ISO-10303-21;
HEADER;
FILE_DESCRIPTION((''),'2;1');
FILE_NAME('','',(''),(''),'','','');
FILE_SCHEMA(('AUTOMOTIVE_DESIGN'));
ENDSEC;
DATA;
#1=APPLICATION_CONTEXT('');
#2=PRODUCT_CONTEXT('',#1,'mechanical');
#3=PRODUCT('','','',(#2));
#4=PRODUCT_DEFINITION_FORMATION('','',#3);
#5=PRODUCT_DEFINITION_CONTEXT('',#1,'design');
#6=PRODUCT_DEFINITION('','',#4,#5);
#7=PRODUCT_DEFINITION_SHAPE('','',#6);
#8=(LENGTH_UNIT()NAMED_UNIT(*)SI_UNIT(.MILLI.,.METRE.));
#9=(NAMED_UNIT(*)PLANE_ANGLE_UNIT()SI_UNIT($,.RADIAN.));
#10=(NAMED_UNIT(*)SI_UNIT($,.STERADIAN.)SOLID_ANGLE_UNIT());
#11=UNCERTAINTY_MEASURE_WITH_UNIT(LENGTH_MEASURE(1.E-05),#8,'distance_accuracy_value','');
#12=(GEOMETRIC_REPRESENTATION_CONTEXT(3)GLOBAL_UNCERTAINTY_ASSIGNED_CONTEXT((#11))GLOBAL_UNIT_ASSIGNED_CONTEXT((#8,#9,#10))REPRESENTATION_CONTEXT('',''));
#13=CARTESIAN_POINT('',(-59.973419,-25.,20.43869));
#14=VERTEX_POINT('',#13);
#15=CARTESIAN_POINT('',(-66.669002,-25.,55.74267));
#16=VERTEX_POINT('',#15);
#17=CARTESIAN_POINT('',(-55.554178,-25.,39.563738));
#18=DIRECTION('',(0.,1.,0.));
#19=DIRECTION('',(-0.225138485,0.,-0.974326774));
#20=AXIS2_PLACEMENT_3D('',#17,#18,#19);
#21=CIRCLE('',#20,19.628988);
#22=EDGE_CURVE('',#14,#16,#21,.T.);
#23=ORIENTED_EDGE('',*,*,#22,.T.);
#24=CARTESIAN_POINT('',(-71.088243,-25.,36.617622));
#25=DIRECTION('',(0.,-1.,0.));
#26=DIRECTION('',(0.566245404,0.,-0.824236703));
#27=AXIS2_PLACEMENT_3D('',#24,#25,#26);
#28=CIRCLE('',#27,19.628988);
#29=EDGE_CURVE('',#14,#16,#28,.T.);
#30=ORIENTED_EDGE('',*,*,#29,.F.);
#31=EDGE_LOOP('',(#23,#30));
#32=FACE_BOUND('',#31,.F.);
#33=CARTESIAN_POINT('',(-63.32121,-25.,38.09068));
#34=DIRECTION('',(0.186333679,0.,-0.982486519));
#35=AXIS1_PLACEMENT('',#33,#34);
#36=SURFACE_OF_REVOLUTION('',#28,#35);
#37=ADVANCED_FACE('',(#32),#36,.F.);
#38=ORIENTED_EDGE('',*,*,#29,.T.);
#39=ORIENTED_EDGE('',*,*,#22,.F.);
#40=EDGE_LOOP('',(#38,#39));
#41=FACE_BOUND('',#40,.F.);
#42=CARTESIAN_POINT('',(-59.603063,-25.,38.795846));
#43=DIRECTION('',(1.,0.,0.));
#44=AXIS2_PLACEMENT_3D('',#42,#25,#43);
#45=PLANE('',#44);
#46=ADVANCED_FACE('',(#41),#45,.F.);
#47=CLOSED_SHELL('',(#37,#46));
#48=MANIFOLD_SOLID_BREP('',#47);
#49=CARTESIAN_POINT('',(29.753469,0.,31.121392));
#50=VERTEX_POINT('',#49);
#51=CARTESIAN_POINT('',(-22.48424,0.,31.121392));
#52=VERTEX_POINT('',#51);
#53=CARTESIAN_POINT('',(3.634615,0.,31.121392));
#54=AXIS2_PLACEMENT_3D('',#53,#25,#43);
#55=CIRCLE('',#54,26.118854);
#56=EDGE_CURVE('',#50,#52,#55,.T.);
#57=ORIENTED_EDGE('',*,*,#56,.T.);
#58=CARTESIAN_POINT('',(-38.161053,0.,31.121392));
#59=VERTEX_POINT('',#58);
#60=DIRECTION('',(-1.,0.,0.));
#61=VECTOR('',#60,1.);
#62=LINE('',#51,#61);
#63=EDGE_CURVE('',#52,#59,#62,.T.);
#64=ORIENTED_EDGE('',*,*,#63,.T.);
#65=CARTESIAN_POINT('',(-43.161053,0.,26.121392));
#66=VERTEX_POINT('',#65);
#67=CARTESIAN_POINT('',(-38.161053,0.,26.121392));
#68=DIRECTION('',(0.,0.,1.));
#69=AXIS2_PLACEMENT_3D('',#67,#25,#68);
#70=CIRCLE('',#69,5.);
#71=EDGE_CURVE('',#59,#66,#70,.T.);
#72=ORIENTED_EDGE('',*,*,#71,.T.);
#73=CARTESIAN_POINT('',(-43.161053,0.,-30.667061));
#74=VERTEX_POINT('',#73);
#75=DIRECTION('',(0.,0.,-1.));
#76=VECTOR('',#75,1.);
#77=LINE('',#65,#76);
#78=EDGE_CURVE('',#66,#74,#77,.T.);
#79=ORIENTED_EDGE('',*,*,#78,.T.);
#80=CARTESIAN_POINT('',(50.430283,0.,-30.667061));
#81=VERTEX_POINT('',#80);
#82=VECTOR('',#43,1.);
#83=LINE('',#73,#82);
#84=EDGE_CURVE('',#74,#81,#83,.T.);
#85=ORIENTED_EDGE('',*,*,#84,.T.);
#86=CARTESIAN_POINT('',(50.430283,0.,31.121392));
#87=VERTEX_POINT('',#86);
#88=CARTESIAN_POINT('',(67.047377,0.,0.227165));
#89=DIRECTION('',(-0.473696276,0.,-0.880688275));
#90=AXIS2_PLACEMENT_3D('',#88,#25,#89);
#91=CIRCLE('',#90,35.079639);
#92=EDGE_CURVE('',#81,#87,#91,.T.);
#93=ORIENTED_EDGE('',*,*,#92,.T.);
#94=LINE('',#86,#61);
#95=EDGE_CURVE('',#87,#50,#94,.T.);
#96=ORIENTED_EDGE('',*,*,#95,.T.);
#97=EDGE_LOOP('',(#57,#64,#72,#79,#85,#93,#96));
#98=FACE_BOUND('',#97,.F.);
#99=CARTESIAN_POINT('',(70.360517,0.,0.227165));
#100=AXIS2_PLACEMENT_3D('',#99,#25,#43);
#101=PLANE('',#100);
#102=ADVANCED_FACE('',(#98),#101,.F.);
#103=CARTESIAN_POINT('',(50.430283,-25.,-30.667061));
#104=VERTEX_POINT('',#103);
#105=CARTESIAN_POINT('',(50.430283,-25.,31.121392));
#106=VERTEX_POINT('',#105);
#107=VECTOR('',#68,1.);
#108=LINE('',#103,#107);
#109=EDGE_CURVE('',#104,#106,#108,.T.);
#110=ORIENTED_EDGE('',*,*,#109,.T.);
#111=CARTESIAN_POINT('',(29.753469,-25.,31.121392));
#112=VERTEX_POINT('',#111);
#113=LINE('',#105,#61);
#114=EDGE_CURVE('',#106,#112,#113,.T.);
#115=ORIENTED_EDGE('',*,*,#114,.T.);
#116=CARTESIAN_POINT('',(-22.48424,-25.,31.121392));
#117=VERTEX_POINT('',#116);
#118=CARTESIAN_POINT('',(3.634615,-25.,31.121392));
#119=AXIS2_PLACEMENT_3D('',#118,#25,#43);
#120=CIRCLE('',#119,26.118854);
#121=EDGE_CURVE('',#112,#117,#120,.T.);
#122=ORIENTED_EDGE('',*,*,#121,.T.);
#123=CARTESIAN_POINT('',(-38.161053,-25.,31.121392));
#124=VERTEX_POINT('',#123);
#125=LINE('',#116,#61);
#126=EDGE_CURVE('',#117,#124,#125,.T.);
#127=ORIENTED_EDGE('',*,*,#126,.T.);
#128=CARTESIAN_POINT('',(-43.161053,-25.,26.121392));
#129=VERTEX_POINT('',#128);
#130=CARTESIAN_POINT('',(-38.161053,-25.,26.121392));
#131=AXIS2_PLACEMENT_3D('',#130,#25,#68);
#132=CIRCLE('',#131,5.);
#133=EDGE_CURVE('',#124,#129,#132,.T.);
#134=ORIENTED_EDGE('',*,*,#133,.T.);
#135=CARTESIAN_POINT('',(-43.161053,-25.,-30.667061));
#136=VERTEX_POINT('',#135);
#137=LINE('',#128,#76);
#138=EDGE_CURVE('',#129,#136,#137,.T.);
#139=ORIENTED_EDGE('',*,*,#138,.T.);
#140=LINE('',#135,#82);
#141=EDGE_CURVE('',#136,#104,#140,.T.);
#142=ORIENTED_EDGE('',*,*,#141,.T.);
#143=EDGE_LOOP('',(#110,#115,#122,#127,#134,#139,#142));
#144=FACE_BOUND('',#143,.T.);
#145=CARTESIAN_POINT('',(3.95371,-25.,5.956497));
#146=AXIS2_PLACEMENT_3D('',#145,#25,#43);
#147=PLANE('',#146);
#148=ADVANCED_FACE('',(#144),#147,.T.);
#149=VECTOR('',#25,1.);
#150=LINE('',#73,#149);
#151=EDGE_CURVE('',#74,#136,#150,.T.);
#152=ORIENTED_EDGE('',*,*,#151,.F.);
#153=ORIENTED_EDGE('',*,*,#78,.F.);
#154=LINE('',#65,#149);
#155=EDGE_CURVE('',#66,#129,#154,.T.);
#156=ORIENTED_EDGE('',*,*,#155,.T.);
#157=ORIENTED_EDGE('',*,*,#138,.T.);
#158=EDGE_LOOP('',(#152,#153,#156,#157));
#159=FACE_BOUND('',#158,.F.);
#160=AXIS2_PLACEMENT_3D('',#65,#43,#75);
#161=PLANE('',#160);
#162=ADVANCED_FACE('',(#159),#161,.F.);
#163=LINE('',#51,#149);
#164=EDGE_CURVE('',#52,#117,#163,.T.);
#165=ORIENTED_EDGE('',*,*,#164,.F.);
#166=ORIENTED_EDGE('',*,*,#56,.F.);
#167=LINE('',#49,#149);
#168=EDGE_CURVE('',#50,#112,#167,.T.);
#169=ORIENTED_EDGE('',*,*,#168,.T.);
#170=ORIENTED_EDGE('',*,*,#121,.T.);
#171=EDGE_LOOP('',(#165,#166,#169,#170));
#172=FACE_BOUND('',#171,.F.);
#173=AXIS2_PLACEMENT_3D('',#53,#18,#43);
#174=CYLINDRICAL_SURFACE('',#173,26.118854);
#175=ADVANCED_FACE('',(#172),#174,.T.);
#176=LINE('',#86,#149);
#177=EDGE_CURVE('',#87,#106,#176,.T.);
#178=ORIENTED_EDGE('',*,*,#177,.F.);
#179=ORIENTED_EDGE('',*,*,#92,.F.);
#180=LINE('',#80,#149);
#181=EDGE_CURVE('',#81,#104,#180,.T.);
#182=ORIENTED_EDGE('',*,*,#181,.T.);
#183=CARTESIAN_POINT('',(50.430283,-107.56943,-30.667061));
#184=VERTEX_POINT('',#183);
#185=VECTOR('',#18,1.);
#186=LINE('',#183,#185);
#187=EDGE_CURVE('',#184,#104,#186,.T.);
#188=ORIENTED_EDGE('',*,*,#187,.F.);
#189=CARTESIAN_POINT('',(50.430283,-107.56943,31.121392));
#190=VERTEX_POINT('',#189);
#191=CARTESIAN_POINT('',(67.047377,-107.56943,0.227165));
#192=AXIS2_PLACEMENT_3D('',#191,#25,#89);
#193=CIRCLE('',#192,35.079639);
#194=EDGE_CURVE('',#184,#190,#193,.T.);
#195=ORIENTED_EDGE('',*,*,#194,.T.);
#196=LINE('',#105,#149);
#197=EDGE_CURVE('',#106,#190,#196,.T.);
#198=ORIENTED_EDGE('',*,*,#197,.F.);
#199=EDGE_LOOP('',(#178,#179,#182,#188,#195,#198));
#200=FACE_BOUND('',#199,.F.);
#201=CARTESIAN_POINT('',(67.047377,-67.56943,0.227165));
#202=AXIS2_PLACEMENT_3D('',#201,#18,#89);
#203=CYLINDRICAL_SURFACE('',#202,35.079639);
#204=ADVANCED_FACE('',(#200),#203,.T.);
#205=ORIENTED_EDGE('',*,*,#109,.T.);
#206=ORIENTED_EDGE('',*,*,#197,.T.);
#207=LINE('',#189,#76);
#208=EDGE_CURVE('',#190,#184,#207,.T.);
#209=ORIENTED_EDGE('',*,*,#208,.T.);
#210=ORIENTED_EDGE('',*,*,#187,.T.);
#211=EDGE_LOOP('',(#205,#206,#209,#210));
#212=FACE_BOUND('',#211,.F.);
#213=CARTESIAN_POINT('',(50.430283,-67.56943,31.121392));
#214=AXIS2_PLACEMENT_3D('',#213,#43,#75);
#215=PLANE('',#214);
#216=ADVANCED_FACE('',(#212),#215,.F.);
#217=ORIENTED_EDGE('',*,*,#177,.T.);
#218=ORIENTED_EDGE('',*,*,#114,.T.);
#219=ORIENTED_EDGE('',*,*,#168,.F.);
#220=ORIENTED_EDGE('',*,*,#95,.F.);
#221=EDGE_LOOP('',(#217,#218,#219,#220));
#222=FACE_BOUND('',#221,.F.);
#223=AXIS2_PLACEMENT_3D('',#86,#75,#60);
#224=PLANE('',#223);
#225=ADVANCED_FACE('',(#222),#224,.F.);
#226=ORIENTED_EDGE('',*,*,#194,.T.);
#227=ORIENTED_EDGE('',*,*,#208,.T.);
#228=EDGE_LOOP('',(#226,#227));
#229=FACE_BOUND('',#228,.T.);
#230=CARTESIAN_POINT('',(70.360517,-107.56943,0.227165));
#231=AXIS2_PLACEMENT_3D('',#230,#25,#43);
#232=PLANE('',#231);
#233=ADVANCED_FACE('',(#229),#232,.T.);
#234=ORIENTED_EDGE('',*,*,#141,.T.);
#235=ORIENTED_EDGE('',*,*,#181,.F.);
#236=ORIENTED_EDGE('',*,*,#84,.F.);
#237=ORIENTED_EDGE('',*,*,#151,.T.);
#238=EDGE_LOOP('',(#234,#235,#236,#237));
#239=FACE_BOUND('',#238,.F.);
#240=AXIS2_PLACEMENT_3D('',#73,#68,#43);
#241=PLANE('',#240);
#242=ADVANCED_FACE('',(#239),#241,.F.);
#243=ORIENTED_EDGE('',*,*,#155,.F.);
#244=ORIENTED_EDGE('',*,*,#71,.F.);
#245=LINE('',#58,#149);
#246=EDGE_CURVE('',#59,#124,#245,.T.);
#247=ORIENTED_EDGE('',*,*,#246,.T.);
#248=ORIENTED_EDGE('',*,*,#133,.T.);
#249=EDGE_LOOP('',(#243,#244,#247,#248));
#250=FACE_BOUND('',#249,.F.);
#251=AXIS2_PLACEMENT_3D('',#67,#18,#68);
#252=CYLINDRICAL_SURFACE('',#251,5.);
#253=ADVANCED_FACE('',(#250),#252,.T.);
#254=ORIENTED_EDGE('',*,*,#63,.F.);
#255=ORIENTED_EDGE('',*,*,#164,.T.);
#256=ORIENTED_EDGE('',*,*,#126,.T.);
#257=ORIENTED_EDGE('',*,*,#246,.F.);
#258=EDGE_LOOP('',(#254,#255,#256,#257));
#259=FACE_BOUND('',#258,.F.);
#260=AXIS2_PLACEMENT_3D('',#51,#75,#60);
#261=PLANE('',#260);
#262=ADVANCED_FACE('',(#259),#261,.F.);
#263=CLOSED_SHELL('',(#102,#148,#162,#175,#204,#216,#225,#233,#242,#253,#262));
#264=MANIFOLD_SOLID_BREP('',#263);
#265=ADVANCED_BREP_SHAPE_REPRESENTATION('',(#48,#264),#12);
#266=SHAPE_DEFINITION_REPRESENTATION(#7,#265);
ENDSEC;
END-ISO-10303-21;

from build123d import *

# Parameters (mm, degrees)
F1_DEPTH = 25
F2_DEPTH = 67.56943
F3_DEPTH = 40
F5_ANGLE = 180


with BuildPart() as f1:
    # F0 (on Front) → F1 (new body)
    with BuildSketch(Plane.XZ):
        with BuildLine():
            Line((-22.4842395432, 31.121391803), (-38.1610532105, 31.121391803))
            ThreePointArc((-38.1610532105, 31.121391803), (-41.6965871164, 29.656925709), (-43.1610532105, 26.121391803))
            Line((-43.1610532105, 26.121391803), (-43.1610532105, -30.6670609862))
            Line((-43.1610532105, -30.6670609862), (50.4302829504, -30.6670609862))
            Line((50.4302829504, -30.6670609862), (50.4302829504, 31.121391803))
            Line((50.4302829504, 31.121391803), (29.7534692831, 31.121391803))
            ThreePointArc((29.7534692831, 31.121391803), (3.63461487, 57.2402462162), (-22.4842395432, 31.121391803))
        make_face()
    extrude(amount=F1_DEPTH)

    # F0 (on Front) → F2 (join)
    with BuildSketch(Plane.XZ):
        with BuildLine():
            ThreePointArc((50.4302829504, -30.6670609862), (102.1270157048, 0.2271654084), (50.4302829504, 31.121391803))
            Line((50.4302829504, 31.121391803), (50.4302829504, -30.6670609862))
        make_face()
    extrude(amount=F2_DEPTH)

    # F3 (add): a face of the model
    f3_faces = [f1.faces().sort_by_distance(p)[0] for p in [
        (73.4849703937, -67.56943, 0.2271654084),
    ]]
    extrude(f3_faces, amount=F3_DEPTH)


with BuildPart() as f5:
    # F4 (on face) → F5 (revolve)
    with BuildSketch(Plane.XZ.offset(25)):
        with BuildLine():
            Line((-66.6690021753, 55.7426698506), (-59.9734187126, 20.4386897385))
            ThreePointArc((-59.9734187126, 20.4386897385), (-51.8030270405, 40.2751631891), (-66.6690021753, 55.7426698506))
        make_face()
    revolve(axis=Axis((-63.321210444, -25, 38.0906797945), (0.1863336788, 0, -0.9824865191)), revolution_arc=F5_ANGLE)


solid = Compound([f1.part, f5.part])
